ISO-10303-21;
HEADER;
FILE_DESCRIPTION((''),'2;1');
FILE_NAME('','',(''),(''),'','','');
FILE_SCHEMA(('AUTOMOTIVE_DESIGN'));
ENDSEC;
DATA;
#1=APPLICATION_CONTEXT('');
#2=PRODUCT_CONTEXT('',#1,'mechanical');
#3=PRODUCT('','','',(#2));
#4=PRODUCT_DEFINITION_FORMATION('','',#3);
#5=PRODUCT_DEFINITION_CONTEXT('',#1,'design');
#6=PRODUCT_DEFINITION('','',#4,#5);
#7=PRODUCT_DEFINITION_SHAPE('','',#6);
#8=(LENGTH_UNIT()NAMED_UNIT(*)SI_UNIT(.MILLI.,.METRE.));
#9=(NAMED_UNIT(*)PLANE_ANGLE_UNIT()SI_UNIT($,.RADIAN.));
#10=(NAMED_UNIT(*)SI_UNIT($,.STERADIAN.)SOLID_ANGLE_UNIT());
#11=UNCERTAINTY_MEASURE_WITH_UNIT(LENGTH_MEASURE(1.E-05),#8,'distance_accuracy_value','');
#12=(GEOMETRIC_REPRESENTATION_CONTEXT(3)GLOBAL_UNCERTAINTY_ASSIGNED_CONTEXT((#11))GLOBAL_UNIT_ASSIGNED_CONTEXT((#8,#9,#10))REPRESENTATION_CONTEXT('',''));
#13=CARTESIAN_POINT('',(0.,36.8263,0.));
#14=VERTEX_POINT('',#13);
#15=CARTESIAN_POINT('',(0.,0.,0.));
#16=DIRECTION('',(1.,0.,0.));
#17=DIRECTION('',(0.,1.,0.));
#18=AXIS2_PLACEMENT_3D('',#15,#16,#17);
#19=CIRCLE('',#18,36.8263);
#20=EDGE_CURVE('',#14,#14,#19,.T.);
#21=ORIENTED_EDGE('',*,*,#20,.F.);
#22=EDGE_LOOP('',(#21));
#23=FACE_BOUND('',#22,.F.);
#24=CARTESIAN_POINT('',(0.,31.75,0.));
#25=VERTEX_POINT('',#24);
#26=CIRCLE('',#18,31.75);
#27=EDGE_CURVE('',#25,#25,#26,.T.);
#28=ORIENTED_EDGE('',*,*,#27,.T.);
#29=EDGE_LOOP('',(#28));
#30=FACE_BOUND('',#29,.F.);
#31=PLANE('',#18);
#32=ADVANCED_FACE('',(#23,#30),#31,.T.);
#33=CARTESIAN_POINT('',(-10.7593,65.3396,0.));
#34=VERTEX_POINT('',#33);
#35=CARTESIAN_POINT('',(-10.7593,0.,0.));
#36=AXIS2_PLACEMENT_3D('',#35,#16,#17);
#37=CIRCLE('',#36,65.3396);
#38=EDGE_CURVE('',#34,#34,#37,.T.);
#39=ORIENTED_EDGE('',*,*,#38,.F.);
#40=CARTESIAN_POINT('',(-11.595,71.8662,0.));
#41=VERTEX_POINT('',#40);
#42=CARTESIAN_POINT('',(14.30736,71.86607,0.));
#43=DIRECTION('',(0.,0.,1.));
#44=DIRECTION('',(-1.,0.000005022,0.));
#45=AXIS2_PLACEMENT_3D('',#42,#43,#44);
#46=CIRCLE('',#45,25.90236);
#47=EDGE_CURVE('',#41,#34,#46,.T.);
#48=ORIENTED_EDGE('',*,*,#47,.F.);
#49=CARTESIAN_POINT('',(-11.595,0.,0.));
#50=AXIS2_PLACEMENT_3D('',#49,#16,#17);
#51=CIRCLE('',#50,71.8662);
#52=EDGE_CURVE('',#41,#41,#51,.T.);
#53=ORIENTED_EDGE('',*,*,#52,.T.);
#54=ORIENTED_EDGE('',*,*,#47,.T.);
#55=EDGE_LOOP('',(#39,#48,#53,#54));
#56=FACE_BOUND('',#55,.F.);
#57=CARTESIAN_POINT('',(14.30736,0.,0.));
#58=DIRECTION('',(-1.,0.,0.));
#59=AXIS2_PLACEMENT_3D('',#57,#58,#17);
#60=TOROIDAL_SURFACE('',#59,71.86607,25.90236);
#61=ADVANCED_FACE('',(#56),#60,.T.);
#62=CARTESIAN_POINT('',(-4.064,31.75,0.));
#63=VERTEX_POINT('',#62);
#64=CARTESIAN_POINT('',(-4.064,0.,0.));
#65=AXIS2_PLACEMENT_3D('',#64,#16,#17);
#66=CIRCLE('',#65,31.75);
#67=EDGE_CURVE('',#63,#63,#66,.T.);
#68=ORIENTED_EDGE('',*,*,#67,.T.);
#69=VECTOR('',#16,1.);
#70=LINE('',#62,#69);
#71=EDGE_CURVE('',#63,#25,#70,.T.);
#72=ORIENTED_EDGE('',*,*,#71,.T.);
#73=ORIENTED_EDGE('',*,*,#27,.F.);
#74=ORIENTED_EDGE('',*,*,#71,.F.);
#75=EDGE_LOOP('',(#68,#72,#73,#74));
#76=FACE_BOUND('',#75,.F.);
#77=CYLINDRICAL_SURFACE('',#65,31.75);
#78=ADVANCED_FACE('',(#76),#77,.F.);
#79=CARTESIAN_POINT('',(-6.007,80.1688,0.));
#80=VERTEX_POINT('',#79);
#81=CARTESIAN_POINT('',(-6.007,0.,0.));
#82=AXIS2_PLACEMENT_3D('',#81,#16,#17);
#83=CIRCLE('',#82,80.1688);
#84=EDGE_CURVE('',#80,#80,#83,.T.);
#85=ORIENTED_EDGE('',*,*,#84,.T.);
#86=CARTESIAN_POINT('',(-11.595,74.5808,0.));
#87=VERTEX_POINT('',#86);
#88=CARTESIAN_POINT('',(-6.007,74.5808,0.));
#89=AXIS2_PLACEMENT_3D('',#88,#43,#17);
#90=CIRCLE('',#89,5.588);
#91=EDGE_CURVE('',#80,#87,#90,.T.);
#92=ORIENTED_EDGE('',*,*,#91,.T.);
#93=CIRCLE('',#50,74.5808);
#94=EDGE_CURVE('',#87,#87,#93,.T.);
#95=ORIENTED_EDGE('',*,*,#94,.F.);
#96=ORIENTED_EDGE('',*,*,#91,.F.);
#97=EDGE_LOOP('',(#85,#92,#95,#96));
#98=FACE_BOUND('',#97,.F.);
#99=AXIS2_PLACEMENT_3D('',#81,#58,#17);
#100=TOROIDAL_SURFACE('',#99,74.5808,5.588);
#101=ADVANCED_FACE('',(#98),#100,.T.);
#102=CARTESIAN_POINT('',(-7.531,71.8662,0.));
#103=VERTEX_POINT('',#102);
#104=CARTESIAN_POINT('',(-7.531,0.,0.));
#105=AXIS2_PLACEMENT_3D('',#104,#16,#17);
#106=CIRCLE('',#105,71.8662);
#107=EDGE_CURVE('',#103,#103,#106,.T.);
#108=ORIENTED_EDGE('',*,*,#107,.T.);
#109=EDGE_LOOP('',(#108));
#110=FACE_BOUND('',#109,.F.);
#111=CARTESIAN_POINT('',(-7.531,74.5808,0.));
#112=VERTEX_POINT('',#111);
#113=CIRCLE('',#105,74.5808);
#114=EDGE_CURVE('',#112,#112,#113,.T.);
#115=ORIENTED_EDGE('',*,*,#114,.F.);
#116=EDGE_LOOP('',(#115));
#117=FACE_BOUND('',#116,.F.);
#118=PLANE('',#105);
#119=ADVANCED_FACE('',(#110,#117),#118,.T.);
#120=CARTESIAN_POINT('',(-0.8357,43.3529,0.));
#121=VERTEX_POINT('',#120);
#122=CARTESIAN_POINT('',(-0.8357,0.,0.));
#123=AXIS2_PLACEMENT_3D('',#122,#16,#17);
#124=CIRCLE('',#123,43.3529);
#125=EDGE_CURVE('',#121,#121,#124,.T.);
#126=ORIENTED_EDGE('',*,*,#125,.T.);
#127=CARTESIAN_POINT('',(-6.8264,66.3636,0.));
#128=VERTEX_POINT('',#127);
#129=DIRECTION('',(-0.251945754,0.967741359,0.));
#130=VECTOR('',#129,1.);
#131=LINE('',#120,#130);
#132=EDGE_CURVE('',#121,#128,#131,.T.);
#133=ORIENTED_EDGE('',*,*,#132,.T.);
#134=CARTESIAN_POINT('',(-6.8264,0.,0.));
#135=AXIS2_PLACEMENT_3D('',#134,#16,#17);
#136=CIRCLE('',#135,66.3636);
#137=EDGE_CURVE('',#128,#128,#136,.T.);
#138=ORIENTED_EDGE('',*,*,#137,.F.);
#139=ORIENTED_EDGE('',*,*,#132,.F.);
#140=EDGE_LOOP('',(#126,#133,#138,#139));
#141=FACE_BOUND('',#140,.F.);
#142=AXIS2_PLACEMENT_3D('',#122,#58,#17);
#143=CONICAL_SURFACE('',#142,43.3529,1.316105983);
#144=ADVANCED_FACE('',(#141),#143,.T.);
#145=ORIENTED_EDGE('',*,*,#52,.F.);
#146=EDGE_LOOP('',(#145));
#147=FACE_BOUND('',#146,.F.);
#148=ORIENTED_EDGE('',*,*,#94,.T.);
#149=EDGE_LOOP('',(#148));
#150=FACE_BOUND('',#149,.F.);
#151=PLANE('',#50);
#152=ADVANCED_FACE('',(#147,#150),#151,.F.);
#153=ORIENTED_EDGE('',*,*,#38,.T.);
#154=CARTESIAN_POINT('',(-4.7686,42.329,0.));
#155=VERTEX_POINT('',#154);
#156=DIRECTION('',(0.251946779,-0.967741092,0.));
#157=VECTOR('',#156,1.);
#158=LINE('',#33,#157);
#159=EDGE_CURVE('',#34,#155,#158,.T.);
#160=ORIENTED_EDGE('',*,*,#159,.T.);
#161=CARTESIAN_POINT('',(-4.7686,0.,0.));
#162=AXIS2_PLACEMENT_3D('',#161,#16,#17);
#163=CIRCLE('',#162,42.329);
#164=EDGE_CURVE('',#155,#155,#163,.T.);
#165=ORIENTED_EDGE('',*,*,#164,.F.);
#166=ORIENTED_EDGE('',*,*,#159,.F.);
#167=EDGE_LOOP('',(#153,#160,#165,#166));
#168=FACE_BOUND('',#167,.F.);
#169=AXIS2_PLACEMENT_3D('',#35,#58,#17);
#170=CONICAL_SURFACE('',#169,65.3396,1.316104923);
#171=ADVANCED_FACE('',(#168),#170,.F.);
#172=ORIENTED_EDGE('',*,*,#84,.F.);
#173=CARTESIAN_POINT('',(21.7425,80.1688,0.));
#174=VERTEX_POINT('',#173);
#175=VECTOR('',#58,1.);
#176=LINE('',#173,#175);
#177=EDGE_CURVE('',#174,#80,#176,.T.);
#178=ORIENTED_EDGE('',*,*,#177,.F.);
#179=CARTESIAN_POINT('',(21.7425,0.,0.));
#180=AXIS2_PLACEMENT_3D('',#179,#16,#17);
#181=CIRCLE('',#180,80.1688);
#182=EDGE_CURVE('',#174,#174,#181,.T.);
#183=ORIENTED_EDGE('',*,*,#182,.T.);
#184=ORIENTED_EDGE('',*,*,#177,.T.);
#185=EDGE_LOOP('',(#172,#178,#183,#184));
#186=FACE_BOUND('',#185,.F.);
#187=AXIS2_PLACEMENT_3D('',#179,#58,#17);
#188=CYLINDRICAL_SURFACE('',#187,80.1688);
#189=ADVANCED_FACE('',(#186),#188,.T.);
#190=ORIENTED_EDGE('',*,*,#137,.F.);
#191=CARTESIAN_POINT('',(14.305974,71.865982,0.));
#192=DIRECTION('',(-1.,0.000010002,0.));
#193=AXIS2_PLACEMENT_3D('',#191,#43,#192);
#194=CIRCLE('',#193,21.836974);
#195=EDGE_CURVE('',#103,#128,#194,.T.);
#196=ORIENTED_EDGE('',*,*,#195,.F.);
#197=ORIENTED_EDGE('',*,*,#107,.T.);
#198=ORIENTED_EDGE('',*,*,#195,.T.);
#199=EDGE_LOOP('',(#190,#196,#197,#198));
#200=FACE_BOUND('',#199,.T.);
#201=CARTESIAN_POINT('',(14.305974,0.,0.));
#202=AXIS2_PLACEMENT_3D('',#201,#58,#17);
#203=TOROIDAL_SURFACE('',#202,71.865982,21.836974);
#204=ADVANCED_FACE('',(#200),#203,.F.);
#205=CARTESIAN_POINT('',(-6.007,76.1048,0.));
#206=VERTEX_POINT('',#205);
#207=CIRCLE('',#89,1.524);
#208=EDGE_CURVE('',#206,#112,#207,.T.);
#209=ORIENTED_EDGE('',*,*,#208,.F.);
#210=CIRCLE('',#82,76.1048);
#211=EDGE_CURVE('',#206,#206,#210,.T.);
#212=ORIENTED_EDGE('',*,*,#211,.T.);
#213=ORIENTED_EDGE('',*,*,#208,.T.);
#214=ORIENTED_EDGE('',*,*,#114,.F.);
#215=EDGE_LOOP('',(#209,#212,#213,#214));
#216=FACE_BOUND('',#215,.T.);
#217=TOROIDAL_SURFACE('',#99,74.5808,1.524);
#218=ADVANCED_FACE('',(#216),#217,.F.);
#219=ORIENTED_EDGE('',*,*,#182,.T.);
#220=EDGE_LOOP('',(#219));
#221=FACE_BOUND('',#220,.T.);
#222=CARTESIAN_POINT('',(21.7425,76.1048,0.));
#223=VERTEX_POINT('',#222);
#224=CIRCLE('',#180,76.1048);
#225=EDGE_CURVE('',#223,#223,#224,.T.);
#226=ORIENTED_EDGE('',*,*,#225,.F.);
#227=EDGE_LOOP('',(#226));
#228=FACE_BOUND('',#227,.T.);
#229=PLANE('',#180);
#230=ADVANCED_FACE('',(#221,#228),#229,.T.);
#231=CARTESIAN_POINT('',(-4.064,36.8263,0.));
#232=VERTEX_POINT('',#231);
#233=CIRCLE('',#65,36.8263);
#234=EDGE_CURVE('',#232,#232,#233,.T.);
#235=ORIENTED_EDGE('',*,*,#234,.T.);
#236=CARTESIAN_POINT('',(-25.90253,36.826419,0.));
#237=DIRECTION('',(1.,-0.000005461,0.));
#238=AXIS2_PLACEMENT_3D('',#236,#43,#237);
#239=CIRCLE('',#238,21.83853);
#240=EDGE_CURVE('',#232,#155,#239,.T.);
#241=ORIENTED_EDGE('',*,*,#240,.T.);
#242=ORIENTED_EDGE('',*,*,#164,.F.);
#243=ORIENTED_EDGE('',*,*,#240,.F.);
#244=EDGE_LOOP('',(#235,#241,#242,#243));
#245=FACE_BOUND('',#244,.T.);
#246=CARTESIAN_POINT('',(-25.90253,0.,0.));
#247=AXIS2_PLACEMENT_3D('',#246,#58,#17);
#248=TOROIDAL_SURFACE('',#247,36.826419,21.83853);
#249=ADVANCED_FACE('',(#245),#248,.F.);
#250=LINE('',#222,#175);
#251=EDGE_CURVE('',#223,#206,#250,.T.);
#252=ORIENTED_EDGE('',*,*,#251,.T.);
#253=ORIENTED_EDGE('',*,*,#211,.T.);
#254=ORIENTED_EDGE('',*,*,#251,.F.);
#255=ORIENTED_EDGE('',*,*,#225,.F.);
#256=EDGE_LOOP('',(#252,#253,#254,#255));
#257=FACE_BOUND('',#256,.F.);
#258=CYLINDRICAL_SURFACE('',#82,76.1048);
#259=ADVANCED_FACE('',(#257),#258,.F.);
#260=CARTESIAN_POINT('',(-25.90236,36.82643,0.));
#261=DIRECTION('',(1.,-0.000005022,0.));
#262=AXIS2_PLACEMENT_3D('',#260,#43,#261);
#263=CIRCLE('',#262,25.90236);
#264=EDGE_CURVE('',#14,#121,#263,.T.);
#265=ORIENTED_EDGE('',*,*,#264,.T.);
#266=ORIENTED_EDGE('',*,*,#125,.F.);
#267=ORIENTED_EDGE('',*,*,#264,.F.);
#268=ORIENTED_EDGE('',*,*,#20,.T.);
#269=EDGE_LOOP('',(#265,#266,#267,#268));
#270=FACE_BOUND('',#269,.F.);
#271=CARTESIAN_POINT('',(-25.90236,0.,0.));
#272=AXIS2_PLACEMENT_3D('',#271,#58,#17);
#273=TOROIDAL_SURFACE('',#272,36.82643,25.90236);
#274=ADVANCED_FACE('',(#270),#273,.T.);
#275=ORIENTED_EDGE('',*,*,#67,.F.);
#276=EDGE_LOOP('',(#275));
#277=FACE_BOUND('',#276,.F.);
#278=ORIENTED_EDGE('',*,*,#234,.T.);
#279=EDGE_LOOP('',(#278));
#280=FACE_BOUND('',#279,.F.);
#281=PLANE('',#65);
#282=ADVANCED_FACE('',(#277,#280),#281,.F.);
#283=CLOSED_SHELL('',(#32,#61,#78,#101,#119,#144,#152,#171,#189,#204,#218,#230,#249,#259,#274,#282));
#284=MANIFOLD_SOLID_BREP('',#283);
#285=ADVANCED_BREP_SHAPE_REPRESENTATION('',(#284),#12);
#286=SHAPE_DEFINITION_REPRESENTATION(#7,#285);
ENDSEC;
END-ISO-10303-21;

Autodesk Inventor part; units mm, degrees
ref_plane "YZ Plane" through (0, 0, 0) normal (1, 0, 0) x (0, 1, 0)
ref_plane "XZ Plane" through (0, 0, 0) normal (0, 1, 0) x (-1, 0, 0)
ref_plane "XY Plane" through (0, 0, 0) normal (0, 0, 1) x (1, 0, 0)
sketch "Sketch1" plane through (0, 0, 0) normal (0, 0, 1) x (1, 0, 0)
  line L0 (0, -8.1326) -> (0, 105.7239) projected
  line L1 (-30.6691, 0) -> (36.0366, 0) projected
  line L2 (0, 31.75) -> (0, 36.8263)
  arc A0 (0, 36.8263) -> (-0.8357, 43.3529) centre (-25.9044, 36.8263) ccw
  line L3 (-0.8357, 43.3529) -> (-6.8264, 66.3636)
  arc A1 (-7.531, 71.8662) -> (-6.8264, 66.3636) centre (14.3094, 71.8662) ccw
  line L4 (-7.531, 71.8662) -> (-7.531, 74.5808)
  arc A2 (-6.007, 76.1048) -> (-7.531, 74.5808) centre (-6.007, 74.5808) ccw
  line L5 (-6.007, 76.1048) -> (21.7425, 76.1048)
  line L6 (21.7425, 80.1688) -> (-6.007, 80.1688)
  arc A3 (-6.007, 80.1688) -> (-11.595, 74.5808) centre (-6.007, 74.5808) ccw
  line L7 (-11.595, 74.5808) -> (-11.595, 71.8662)
  arc A4 (-11.595, 71.8662) -> (-10.7593, 65.3396) centre (14.3094, 71.8662) ccw
  line L8 (-10.7593, 65.3396) -> (-4.7686, 42.329)
  arc A5 (-4.064, 36.8263) -> (-4.7686, 42.329) centre (-25.9044, 36.8263) ccw
  line L9 (-4.064, 36.8263) -> (-4.064, 31.75)
  line L10 (-4.064, 31.75) -> (0, 31.75)
  line L11 (21.7425, 80.1688) -> (21.7425, 76.1048)
  point P0 (0, 0)
  dimension "d0" = 33.3375
  dimension "d1" = 4.064
  dimension "d2" = 1.524
  dimension "d3" = 63.5
  dimension "d4" = 160.3375
revolve "Revolution1" add sketch "Sketch1" angle 360 about axis through (-10, 0, 0) along (1, 0, 0) contours L10 L9 A5 L8 A4 L7 A3 L6 L0 L5 A2 L4 A1 L3 A0 | L0 L6 L11 L5
properties part number "BrakeDrum"
